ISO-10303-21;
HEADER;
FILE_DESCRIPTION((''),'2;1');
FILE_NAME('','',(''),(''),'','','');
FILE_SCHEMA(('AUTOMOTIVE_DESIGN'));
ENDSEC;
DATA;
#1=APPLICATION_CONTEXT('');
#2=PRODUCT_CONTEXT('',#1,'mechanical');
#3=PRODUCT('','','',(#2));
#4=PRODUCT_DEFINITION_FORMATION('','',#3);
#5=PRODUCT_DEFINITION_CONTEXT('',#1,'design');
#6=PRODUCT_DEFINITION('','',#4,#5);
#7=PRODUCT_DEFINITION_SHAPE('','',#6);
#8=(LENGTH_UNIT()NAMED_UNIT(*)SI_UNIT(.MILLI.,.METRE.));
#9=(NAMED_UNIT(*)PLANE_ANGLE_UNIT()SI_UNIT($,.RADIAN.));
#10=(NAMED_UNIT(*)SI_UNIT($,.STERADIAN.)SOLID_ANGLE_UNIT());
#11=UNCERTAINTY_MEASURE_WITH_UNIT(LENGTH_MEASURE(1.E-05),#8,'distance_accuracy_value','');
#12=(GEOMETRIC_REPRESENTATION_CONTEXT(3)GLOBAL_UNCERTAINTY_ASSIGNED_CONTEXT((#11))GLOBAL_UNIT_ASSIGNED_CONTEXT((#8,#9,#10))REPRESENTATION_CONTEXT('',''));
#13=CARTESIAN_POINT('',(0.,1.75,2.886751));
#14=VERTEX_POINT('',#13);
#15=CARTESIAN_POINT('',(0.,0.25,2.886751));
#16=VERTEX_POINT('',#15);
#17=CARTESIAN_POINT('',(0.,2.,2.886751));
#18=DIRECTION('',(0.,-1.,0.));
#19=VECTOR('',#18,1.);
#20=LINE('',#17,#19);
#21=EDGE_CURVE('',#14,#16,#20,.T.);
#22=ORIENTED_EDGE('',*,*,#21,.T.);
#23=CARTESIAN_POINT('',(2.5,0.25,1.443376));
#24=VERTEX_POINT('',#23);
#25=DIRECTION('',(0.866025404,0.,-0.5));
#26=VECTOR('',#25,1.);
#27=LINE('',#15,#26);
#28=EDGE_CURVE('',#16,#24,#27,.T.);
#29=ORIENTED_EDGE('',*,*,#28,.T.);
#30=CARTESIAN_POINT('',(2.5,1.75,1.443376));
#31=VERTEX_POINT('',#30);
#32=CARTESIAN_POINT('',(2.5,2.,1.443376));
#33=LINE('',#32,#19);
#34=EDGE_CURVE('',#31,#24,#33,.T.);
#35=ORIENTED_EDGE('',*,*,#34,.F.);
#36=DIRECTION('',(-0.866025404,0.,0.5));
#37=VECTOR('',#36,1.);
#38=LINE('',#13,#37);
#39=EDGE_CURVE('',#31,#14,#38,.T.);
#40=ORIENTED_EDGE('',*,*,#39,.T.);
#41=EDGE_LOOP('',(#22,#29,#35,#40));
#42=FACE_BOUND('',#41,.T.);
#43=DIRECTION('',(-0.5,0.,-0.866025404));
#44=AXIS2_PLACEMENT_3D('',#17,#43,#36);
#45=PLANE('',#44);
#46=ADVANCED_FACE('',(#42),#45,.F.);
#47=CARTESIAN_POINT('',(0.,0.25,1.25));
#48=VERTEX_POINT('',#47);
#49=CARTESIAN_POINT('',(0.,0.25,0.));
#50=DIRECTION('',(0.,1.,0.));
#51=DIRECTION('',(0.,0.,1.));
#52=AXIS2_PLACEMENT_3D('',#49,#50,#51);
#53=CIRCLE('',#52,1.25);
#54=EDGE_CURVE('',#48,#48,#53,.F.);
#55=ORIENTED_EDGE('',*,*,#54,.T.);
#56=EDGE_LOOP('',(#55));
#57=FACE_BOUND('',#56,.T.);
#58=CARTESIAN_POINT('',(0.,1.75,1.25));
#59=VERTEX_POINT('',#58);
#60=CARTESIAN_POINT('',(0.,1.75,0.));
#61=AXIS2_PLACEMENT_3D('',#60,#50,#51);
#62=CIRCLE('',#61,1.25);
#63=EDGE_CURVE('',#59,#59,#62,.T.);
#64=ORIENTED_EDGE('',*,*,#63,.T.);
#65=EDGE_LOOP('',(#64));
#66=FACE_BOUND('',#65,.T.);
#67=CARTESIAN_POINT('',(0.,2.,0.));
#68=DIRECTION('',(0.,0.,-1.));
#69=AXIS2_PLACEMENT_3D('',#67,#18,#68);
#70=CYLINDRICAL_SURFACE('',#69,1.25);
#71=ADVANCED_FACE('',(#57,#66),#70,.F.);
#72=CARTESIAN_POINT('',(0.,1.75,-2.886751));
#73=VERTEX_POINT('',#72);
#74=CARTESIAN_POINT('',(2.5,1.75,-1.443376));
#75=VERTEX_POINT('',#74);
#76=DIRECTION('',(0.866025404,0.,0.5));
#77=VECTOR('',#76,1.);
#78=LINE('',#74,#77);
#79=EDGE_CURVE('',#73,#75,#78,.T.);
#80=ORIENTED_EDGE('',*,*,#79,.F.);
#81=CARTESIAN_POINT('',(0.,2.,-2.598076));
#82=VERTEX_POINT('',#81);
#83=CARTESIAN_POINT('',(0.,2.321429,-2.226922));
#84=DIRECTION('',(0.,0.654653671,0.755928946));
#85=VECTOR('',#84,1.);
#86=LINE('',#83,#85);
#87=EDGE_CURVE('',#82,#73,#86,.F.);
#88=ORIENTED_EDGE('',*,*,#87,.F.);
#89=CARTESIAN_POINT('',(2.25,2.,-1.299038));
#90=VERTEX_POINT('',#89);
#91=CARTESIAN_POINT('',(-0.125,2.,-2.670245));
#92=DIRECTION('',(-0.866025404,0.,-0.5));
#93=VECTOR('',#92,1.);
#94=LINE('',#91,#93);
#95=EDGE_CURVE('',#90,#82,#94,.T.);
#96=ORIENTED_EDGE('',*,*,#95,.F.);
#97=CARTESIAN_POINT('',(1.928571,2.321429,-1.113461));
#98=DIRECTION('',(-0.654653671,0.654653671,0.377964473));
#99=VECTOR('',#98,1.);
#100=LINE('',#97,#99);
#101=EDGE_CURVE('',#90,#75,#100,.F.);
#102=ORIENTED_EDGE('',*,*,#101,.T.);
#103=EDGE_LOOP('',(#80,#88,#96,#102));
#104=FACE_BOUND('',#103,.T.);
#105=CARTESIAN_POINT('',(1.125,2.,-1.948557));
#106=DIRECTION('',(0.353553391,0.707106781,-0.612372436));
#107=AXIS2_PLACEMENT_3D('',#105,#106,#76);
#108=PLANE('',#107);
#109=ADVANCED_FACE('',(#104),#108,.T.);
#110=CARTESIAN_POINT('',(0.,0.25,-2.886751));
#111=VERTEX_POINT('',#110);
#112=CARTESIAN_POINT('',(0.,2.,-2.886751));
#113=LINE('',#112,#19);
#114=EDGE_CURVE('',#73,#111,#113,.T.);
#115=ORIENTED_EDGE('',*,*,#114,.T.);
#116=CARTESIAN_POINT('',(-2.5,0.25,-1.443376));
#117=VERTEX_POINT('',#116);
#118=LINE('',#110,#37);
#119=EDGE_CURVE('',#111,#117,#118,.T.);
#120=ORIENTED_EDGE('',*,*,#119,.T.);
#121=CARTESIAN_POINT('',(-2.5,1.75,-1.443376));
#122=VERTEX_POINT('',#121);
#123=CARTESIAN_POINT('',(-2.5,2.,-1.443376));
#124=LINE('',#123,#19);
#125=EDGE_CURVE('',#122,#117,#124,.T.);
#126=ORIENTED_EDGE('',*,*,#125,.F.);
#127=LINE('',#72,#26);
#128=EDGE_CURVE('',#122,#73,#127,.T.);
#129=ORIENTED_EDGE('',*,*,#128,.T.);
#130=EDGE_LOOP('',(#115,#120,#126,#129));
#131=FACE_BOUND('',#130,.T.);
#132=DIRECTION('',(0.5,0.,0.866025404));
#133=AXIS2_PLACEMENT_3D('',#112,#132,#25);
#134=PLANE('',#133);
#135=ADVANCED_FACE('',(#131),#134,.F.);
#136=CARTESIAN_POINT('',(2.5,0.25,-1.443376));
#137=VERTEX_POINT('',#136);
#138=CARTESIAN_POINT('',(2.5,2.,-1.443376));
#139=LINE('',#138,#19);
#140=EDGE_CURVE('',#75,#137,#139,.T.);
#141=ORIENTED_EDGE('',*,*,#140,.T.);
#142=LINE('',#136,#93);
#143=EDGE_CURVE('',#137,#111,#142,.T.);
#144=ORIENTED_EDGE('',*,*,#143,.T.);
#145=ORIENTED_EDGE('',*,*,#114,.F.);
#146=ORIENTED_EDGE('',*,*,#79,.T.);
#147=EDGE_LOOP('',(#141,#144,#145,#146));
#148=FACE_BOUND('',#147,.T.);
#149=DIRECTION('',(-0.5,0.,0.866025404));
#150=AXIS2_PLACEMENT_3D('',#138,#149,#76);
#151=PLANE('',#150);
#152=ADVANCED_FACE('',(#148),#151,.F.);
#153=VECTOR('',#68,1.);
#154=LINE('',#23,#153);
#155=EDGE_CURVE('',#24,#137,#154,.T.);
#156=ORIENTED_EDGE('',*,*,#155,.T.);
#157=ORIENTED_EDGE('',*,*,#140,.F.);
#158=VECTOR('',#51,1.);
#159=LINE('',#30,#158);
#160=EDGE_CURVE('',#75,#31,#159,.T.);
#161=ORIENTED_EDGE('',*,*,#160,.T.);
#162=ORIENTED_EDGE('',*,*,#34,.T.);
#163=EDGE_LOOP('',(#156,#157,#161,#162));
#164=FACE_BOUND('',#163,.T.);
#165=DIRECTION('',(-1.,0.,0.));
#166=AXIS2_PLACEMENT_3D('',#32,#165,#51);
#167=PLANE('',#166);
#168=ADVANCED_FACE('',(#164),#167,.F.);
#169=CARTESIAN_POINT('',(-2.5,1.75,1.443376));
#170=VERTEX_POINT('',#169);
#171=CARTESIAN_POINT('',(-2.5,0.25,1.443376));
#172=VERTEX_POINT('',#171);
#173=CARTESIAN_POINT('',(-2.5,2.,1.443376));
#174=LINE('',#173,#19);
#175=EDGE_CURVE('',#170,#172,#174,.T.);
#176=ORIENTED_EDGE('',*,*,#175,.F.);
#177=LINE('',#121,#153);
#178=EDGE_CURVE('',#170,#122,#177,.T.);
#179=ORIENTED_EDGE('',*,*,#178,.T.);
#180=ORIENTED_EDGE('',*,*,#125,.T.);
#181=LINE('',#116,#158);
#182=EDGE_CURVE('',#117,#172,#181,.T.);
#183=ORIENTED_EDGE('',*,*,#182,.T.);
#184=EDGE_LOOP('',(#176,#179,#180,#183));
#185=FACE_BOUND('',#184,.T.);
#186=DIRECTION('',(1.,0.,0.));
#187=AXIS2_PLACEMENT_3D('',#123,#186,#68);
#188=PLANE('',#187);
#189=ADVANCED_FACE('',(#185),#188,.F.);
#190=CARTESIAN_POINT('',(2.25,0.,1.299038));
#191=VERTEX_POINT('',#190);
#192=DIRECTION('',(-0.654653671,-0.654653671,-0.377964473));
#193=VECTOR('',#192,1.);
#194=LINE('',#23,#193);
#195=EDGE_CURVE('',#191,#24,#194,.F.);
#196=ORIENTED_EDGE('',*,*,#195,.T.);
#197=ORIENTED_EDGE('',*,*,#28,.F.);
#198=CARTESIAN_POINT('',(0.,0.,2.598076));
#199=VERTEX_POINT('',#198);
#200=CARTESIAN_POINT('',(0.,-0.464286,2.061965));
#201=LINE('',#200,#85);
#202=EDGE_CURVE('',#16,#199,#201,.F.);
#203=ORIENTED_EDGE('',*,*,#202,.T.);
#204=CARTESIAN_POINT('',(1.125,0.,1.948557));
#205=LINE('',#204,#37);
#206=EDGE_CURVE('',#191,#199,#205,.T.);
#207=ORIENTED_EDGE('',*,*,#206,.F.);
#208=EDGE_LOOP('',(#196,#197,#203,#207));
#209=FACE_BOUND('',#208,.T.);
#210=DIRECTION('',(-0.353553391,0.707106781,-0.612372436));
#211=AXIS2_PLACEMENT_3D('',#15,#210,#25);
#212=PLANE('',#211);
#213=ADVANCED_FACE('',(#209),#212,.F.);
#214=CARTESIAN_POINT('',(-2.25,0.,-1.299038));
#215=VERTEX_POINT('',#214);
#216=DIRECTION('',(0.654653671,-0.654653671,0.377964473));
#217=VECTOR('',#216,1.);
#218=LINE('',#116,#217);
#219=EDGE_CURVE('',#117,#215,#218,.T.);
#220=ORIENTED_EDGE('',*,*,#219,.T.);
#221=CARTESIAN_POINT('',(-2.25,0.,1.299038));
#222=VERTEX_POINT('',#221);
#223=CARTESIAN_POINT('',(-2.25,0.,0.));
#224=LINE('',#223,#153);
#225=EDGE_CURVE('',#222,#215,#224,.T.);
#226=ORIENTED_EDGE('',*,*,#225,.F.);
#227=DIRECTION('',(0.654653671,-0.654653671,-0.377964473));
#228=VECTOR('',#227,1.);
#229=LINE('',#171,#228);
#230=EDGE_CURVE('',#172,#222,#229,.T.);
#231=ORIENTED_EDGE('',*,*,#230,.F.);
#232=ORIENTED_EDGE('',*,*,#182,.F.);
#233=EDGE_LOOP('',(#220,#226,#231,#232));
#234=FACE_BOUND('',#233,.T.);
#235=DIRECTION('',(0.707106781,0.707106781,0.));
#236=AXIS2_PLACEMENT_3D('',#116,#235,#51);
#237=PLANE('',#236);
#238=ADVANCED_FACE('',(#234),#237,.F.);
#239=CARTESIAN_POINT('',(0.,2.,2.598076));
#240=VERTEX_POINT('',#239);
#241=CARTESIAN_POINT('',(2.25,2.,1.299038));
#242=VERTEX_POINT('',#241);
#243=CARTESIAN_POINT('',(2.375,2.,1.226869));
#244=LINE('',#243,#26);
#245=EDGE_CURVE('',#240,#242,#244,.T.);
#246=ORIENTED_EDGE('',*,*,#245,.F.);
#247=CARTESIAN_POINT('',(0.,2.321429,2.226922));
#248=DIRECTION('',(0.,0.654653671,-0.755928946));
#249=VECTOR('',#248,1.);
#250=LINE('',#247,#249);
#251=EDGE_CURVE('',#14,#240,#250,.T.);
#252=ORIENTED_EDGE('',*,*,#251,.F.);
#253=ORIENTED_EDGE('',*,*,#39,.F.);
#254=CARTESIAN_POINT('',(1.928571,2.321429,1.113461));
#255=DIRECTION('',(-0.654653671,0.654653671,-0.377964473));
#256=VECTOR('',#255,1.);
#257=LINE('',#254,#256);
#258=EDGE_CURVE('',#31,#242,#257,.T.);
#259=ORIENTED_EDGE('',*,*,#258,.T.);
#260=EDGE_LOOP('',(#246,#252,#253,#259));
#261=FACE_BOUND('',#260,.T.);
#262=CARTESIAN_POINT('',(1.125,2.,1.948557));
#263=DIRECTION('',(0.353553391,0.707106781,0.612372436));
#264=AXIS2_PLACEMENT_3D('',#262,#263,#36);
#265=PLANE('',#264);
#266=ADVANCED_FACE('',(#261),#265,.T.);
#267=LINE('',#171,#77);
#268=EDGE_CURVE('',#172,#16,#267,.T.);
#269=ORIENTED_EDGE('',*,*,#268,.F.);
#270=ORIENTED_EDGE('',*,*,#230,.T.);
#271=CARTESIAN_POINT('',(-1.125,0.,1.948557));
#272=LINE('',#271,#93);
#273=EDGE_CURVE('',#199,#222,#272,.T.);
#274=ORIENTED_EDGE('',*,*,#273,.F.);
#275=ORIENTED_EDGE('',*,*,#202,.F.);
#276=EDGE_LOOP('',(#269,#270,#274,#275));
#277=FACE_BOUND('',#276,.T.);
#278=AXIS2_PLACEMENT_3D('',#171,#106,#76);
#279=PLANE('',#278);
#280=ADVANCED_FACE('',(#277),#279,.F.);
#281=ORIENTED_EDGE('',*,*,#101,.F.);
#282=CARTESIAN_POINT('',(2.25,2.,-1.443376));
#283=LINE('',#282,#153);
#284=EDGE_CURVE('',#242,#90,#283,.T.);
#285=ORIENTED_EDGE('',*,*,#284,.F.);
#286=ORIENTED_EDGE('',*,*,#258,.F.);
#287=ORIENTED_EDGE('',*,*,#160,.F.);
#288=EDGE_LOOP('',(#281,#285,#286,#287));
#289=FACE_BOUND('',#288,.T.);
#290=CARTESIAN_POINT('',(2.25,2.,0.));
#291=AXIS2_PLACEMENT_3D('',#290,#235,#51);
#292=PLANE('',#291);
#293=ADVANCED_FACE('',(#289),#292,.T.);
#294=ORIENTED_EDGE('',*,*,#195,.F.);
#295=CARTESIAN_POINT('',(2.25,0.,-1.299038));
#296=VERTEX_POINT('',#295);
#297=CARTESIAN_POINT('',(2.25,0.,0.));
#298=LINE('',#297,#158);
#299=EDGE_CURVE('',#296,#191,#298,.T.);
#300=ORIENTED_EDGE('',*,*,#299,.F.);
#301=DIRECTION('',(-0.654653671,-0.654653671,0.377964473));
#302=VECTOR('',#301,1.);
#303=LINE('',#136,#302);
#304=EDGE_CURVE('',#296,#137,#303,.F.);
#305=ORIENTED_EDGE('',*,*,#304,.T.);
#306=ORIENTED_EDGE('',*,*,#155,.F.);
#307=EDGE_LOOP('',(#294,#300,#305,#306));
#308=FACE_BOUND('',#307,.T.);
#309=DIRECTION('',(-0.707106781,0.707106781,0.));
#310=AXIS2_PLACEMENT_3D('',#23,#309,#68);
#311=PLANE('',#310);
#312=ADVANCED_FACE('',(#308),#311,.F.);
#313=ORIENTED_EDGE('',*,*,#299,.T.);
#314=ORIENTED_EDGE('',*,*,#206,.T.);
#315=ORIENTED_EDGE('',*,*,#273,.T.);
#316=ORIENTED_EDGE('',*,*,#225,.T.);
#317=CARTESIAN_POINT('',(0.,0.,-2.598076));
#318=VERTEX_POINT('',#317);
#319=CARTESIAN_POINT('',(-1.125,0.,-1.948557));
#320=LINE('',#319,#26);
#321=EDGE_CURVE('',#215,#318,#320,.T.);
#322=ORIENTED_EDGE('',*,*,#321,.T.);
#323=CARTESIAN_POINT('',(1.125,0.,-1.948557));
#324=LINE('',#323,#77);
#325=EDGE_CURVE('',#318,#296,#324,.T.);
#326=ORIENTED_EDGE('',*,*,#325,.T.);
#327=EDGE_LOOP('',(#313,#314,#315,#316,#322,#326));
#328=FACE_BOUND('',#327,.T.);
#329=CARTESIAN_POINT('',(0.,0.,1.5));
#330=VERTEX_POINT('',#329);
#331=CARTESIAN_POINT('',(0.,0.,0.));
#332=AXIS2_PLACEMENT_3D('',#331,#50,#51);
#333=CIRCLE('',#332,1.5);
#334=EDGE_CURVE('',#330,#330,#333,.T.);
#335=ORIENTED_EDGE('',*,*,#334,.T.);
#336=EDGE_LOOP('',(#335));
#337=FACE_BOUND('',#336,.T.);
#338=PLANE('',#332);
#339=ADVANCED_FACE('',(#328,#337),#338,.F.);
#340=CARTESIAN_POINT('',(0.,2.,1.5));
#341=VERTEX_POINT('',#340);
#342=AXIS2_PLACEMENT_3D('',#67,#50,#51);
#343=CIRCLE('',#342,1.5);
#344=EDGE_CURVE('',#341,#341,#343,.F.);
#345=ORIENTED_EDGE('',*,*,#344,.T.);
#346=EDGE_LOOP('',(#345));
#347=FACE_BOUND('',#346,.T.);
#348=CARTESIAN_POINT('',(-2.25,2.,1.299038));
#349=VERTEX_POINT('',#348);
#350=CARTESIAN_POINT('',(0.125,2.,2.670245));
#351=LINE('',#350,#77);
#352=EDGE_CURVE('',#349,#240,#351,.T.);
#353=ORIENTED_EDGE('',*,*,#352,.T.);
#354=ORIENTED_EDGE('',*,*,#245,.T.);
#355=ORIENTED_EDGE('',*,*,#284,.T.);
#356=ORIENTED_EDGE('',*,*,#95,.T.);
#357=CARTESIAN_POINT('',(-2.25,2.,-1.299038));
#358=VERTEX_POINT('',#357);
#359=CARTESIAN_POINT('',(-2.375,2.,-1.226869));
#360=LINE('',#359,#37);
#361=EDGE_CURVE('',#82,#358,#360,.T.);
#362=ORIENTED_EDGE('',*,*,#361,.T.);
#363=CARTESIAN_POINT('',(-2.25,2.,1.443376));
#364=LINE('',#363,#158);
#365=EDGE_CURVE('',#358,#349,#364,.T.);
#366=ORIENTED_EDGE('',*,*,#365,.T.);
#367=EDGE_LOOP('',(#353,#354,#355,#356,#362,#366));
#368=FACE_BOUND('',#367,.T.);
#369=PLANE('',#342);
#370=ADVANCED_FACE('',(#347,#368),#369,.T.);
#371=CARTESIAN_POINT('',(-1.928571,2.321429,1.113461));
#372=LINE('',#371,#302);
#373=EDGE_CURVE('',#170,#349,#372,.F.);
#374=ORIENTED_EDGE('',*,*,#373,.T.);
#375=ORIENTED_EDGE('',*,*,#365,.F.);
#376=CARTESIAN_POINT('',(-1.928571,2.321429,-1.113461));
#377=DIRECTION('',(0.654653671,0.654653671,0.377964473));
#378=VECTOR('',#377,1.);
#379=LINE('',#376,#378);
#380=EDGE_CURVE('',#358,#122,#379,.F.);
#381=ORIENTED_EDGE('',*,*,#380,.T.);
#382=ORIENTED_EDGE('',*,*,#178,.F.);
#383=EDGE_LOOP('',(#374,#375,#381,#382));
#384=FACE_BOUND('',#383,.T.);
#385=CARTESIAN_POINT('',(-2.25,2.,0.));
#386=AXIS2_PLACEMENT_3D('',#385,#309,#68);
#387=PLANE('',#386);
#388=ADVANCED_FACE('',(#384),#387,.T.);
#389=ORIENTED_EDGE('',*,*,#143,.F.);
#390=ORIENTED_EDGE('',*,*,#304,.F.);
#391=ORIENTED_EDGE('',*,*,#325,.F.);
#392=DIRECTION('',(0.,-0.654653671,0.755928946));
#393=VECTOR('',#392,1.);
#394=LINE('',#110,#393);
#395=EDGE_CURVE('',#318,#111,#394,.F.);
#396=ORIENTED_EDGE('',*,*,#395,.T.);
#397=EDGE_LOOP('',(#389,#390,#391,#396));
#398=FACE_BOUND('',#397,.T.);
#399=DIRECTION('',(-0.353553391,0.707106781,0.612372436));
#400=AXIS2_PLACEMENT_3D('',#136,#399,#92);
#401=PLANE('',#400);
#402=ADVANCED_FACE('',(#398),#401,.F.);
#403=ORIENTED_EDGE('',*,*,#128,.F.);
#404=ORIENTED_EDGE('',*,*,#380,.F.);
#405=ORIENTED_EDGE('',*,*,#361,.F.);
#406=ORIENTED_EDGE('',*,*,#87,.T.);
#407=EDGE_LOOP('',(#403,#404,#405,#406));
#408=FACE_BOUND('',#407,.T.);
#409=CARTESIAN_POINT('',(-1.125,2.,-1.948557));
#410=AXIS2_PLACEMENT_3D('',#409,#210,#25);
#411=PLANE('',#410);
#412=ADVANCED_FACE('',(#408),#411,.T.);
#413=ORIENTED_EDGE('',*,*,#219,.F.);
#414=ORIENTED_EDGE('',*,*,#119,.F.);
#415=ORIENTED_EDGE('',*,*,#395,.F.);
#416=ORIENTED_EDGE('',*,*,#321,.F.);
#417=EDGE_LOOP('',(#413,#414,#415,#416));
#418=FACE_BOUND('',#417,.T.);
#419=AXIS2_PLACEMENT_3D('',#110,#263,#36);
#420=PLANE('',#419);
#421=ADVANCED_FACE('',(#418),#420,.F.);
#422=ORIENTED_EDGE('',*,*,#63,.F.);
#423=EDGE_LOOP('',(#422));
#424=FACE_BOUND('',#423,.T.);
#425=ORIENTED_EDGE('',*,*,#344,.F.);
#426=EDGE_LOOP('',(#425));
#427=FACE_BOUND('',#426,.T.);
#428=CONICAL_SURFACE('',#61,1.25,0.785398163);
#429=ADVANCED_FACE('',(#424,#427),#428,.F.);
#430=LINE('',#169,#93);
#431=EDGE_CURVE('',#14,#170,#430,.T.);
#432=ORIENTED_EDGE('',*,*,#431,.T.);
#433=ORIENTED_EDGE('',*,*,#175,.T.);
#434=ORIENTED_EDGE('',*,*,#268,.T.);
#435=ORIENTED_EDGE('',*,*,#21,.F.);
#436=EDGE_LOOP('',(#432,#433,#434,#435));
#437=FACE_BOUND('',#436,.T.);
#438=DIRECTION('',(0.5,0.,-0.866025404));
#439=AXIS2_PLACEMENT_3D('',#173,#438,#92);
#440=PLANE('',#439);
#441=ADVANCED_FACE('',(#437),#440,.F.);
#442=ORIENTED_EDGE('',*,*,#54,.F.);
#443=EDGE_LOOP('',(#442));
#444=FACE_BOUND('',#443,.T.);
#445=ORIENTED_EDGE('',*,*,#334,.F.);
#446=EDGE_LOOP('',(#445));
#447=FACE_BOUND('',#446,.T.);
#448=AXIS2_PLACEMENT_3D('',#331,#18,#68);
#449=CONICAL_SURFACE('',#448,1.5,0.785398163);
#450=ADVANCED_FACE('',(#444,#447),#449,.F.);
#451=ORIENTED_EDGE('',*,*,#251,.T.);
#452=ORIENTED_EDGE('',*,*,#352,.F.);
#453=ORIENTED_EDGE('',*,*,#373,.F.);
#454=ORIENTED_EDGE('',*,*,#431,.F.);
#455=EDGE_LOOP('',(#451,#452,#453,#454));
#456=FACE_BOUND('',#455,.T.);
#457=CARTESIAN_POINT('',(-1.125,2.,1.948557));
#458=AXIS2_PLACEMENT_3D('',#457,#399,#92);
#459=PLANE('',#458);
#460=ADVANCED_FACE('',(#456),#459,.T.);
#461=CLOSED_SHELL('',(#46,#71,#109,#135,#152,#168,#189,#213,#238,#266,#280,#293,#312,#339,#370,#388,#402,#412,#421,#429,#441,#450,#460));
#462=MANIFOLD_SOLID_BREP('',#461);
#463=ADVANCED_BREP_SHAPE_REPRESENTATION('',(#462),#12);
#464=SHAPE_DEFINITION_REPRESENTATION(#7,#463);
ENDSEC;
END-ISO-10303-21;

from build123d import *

# Parameters (mm, degrees)
SKETCH1_R           = 1.25
BOSS_EXTRUDE1_DEPTH = 2
CHAMFER1_SIZE       = 0.25


with BuildPart() as part:
    # Sketch1 → Boss-Extrude1 (new body)
    with BuildSketch(Plane(origin=(0, 0, 0), x_dir=(1, 0, 0), z_dir=(0, 1, 0))):
        Polygon((0, -2.886751346), (2.5, -1.443375673), (2.5, 1.443375673), (0, 2.886751346), (-2.5, 1.443375673), (-2.5, -1.443375673), align=None)
        Circle(SKETCH1_R, mode=Mode.SUBTRACT)
    extrude(amount=BOSS_EXTRUDE1_DEPTH)

    # Chamfer1
    chamfer1_edges = [part.edges().sort_by_distance(p)[0] for p in [
        (2.5, 2, 0),
        (1.25, 2, -2.165063509),
        (-1.25, 0, 0),
        (-1.25, 2, 0),
        (-1.25, 2, -2.165063509),
        (-2.5, 2, 0),
        (-1.25, 2, 2.165063509),
        (-2.5, 0, 0),
        (-1.25, 0, -2.165063509),
        (1.25, 0, -2.165063509),
        (2.5, 0, 0),
        (1.25, 0, 2.165063509),
        (-1.25, 0, 2.165063509),
        (1.25, 2, 2.165063509),
    ]]
    chamfer(chamfer1_edges, length=CHAMFER1_SIZE)


solid = part.part
